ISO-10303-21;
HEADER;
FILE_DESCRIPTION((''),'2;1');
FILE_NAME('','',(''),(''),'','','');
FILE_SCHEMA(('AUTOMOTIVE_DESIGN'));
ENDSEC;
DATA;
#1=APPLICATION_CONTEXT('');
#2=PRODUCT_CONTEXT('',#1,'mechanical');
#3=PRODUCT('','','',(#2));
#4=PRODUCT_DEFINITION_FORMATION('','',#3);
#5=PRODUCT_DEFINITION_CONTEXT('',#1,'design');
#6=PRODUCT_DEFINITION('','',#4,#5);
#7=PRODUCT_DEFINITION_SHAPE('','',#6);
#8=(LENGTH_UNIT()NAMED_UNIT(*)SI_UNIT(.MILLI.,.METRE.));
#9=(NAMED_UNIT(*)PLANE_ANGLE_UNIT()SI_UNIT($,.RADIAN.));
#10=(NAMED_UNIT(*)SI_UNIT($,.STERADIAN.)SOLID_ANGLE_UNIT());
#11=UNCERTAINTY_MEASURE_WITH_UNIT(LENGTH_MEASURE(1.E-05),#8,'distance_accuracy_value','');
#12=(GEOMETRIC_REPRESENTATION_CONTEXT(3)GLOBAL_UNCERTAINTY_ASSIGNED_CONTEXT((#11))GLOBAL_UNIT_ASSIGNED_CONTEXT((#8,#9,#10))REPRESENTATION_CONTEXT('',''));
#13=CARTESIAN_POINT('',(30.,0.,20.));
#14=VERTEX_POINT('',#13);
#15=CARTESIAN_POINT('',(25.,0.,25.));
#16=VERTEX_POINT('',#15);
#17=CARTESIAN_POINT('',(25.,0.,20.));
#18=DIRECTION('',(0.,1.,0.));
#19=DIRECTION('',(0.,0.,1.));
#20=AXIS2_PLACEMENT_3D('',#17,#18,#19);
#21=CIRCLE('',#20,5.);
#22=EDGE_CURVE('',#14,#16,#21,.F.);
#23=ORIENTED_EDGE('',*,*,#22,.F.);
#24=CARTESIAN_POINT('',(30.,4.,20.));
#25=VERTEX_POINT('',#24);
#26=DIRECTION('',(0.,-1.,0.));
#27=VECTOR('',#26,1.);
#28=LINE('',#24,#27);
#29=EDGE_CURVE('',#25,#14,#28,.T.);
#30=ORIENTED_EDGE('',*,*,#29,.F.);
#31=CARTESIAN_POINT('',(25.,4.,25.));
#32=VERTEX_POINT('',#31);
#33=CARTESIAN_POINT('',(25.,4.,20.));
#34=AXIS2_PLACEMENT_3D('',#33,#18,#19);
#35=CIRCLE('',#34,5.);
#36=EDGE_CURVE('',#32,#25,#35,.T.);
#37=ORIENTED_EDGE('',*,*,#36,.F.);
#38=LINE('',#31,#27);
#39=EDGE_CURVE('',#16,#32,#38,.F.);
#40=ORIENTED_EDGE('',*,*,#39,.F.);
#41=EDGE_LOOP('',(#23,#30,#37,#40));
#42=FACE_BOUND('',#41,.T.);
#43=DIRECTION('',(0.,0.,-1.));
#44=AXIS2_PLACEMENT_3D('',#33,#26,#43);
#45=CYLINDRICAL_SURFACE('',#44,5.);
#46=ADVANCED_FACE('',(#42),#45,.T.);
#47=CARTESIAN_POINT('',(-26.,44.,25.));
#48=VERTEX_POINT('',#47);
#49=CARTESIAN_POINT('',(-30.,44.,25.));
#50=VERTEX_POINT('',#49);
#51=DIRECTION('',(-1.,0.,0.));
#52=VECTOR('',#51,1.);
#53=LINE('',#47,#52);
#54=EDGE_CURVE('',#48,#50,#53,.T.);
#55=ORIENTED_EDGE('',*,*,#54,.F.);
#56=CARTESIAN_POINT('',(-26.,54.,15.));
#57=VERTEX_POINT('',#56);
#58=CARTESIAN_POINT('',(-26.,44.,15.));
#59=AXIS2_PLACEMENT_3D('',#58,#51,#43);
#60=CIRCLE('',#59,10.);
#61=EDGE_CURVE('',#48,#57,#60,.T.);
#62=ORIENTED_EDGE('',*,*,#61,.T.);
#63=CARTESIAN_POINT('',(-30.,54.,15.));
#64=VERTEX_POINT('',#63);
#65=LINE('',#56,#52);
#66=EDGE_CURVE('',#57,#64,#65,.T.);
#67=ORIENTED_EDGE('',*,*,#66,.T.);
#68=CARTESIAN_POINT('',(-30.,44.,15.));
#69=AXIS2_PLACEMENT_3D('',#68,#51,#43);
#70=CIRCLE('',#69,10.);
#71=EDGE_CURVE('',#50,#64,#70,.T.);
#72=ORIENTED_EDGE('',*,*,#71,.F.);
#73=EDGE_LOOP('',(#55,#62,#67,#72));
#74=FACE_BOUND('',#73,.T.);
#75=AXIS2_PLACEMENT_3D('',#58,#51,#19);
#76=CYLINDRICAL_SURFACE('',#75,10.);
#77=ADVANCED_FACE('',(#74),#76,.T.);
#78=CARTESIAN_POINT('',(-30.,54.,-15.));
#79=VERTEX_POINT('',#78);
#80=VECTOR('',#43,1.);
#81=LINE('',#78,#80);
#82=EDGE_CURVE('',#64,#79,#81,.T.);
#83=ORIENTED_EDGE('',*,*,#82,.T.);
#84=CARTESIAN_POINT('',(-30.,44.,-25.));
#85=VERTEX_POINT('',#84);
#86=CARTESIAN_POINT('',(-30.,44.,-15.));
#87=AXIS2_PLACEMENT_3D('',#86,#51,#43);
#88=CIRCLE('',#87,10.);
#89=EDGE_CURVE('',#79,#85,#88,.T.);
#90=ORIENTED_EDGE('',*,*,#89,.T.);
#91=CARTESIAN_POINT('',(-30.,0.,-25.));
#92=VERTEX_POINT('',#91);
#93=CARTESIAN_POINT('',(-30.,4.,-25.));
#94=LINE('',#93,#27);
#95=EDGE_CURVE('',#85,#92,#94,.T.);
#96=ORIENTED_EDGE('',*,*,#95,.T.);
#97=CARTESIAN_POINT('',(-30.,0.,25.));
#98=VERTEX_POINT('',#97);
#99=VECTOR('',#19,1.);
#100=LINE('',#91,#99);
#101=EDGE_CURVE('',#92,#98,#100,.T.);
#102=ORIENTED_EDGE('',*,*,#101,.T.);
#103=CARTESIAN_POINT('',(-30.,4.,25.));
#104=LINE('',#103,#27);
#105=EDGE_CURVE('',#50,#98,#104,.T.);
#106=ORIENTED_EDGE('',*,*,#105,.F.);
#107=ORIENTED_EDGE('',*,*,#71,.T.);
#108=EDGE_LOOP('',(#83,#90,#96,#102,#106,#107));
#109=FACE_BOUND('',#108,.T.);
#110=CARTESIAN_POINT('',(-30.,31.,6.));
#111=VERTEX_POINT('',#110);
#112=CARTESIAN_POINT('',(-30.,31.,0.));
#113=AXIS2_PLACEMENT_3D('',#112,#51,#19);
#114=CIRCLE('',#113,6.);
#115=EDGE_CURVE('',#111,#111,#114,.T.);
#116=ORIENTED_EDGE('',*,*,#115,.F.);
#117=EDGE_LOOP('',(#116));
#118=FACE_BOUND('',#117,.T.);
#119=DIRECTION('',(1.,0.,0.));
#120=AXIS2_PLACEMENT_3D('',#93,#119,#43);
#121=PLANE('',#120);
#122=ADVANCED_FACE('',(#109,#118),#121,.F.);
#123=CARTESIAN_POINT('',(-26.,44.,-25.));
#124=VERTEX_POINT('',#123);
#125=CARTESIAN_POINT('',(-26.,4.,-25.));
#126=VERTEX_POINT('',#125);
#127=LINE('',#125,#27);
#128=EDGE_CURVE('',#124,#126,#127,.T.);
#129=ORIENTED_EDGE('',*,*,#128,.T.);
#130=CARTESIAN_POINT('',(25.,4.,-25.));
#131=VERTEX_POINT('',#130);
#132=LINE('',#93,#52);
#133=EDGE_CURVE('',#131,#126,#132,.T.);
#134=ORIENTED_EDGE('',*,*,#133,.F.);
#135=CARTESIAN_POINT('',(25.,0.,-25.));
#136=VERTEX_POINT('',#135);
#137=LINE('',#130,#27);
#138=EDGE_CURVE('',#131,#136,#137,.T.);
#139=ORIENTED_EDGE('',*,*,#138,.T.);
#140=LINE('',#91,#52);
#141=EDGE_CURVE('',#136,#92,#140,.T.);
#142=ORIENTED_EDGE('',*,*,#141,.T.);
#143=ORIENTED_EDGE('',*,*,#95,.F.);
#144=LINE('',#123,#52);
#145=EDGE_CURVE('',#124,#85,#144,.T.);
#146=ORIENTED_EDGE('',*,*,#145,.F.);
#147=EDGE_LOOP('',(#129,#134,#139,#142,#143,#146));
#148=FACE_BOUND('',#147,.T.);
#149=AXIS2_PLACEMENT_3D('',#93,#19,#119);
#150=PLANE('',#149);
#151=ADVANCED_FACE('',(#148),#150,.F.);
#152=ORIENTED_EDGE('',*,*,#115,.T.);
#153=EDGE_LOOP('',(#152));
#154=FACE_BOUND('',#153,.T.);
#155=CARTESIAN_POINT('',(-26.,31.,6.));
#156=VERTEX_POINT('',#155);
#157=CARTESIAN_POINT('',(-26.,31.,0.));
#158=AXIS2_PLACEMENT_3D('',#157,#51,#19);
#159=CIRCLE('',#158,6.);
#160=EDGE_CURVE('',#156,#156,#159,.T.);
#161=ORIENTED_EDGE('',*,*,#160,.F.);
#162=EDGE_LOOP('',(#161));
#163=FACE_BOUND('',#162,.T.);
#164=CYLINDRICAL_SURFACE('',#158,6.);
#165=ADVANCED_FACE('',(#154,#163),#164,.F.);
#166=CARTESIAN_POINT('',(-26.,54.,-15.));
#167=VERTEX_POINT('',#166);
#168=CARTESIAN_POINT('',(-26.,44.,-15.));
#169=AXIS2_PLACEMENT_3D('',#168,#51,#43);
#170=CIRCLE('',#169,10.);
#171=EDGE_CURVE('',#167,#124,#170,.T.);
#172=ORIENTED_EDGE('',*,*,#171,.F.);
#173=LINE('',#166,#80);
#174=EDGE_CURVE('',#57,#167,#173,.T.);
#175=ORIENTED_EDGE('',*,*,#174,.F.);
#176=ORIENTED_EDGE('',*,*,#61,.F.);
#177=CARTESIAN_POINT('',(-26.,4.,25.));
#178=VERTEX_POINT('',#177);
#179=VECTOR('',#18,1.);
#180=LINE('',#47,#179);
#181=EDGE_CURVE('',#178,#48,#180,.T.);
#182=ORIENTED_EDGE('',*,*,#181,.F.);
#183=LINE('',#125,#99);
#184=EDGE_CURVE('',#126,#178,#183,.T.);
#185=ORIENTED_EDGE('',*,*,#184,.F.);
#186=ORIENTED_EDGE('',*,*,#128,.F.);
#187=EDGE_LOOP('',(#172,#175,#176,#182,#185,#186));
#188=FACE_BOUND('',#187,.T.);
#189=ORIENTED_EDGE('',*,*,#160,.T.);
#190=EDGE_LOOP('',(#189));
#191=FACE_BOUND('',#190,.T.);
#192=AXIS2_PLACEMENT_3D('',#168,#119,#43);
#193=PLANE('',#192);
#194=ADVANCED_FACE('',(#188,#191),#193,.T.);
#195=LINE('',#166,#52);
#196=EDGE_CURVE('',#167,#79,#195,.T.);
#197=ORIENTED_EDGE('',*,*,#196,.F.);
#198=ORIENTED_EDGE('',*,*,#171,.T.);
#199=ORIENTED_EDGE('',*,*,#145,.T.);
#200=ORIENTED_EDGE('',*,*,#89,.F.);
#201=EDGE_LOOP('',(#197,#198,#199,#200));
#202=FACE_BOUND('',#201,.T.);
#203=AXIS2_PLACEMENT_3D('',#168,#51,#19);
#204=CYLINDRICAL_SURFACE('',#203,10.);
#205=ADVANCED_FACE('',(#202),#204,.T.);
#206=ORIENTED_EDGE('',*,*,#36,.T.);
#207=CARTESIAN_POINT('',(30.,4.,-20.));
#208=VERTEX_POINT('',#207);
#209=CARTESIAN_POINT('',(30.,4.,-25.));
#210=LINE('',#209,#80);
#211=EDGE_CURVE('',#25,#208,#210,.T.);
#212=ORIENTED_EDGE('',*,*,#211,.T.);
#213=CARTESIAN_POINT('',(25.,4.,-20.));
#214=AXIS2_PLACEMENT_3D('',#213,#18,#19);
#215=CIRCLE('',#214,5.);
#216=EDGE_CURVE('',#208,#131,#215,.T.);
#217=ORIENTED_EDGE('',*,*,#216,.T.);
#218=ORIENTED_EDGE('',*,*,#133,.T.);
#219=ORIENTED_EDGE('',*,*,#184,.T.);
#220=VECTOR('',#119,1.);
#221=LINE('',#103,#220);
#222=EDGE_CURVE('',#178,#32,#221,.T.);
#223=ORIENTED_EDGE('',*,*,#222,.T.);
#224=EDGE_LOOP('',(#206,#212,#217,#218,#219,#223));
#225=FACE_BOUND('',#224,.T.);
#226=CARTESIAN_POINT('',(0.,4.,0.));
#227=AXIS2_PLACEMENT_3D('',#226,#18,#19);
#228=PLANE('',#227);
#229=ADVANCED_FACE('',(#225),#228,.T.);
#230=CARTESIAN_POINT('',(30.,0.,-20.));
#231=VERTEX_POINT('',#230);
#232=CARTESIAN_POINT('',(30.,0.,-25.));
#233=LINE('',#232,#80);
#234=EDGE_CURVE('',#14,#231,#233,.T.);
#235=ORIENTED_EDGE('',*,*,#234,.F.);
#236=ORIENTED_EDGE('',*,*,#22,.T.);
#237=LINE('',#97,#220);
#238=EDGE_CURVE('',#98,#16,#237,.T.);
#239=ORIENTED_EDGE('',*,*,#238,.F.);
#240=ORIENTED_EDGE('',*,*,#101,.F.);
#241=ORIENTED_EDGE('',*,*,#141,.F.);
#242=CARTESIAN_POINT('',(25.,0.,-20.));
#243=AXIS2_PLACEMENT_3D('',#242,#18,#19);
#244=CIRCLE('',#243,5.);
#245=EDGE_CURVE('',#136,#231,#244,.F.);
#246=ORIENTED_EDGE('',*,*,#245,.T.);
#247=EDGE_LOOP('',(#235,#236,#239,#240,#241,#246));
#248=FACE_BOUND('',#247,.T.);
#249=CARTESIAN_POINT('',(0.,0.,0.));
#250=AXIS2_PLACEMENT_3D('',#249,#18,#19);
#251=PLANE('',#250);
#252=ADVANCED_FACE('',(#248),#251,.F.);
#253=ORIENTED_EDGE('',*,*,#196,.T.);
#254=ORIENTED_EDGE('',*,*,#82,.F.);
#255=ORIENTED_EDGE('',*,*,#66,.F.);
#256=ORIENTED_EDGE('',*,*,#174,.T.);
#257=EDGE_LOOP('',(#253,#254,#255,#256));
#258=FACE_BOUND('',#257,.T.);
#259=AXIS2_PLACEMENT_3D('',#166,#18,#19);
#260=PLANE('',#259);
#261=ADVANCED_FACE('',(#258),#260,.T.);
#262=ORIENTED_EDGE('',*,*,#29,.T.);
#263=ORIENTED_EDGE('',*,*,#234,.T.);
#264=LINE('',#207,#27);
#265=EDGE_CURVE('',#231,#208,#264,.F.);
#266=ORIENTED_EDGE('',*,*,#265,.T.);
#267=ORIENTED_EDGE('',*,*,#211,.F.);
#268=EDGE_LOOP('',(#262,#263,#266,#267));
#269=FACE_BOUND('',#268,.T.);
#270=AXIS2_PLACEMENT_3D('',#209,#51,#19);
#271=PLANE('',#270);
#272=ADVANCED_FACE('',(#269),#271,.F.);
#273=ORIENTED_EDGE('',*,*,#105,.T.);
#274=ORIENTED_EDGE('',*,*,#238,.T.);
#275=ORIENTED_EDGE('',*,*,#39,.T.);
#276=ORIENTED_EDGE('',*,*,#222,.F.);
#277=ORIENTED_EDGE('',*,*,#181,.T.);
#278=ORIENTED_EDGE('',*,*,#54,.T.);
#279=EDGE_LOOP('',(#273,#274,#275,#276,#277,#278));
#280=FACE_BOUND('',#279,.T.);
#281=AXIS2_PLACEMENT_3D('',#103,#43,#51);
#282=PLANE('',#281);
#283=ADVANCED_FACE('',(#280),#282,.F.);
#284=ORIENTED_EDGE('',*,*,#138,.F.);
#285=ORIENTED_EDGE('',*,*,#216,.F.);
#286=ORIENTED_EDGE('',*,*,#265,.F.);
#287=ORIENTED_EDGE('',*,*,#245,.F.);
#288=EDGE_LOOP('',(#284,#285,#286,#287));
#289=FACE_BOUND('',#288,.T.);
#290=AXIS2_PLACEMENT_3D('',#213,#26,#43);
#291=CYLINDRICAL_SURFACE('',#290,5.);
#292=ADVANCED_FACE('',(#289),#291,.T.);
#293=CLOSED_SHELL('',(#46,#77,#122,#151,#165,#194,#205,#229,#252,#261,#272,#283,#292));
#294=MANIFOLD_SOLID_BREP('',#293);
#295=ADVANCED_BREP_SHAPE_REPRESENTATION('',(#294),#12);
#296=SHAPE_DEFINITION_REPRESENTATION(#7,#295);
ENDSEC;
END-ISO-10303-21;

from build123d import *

# Parameters (mm, degrees)
SKETCH1_W           = 60
SKETCH1_H           = 50
BOSS_EXTRUDE3_DEPTH = 4
SKETCH3_R           = 6
BOSS_EXTRUDE4_DEPTH = 4
FILLET1_R           = 5


with BuildPart() as part:
    # Sketch1 → Boss-Extrude3 (new body)
    with BuildSketch(Plane(origin=(0, 0, 0), x_dir=(1, 0, 0), z_dir=(0, 1, 0))):
        Rectangle(SKETCH1_W, SKETCH1_H)
    extrude(amount=BOSS_EXTRUDE3_DEPTH)

    # Sketch3 → Boss-Extrude4 (add)
    with BuildSketch(Plane.ZY.offset(30)):
        with BuildLine():
            Line((-25, 4), (25, 4))
            Line((25, 4), (25, 44))
            ThreePointArc((25, 44), (22.071067812, 51.071067812), (15, 54))
            Line((15, 54), (-15, 54))
            ThreePointArc((-15, 54), (-22.071067812, 51.071067812), (-25, 44))
            Line((-25, 44), (-25, 4))
        make_face()
        with Locations((0, 31)):
            Circle(SKETCH3_R, mode=Mode.SUBTRACT)
    extrude(amount=-BOSS_EXTRUDE4_DEPTH)

    # Fillet1
    fillet1_edges = [part.edges().sort_by_distance(p)[0] for p in [
        (30, 2, 25),
        (30, 2, -25),
    ]]
    fillet(fillet1_edges, radius=FILLET1_R)


solid = part.part
